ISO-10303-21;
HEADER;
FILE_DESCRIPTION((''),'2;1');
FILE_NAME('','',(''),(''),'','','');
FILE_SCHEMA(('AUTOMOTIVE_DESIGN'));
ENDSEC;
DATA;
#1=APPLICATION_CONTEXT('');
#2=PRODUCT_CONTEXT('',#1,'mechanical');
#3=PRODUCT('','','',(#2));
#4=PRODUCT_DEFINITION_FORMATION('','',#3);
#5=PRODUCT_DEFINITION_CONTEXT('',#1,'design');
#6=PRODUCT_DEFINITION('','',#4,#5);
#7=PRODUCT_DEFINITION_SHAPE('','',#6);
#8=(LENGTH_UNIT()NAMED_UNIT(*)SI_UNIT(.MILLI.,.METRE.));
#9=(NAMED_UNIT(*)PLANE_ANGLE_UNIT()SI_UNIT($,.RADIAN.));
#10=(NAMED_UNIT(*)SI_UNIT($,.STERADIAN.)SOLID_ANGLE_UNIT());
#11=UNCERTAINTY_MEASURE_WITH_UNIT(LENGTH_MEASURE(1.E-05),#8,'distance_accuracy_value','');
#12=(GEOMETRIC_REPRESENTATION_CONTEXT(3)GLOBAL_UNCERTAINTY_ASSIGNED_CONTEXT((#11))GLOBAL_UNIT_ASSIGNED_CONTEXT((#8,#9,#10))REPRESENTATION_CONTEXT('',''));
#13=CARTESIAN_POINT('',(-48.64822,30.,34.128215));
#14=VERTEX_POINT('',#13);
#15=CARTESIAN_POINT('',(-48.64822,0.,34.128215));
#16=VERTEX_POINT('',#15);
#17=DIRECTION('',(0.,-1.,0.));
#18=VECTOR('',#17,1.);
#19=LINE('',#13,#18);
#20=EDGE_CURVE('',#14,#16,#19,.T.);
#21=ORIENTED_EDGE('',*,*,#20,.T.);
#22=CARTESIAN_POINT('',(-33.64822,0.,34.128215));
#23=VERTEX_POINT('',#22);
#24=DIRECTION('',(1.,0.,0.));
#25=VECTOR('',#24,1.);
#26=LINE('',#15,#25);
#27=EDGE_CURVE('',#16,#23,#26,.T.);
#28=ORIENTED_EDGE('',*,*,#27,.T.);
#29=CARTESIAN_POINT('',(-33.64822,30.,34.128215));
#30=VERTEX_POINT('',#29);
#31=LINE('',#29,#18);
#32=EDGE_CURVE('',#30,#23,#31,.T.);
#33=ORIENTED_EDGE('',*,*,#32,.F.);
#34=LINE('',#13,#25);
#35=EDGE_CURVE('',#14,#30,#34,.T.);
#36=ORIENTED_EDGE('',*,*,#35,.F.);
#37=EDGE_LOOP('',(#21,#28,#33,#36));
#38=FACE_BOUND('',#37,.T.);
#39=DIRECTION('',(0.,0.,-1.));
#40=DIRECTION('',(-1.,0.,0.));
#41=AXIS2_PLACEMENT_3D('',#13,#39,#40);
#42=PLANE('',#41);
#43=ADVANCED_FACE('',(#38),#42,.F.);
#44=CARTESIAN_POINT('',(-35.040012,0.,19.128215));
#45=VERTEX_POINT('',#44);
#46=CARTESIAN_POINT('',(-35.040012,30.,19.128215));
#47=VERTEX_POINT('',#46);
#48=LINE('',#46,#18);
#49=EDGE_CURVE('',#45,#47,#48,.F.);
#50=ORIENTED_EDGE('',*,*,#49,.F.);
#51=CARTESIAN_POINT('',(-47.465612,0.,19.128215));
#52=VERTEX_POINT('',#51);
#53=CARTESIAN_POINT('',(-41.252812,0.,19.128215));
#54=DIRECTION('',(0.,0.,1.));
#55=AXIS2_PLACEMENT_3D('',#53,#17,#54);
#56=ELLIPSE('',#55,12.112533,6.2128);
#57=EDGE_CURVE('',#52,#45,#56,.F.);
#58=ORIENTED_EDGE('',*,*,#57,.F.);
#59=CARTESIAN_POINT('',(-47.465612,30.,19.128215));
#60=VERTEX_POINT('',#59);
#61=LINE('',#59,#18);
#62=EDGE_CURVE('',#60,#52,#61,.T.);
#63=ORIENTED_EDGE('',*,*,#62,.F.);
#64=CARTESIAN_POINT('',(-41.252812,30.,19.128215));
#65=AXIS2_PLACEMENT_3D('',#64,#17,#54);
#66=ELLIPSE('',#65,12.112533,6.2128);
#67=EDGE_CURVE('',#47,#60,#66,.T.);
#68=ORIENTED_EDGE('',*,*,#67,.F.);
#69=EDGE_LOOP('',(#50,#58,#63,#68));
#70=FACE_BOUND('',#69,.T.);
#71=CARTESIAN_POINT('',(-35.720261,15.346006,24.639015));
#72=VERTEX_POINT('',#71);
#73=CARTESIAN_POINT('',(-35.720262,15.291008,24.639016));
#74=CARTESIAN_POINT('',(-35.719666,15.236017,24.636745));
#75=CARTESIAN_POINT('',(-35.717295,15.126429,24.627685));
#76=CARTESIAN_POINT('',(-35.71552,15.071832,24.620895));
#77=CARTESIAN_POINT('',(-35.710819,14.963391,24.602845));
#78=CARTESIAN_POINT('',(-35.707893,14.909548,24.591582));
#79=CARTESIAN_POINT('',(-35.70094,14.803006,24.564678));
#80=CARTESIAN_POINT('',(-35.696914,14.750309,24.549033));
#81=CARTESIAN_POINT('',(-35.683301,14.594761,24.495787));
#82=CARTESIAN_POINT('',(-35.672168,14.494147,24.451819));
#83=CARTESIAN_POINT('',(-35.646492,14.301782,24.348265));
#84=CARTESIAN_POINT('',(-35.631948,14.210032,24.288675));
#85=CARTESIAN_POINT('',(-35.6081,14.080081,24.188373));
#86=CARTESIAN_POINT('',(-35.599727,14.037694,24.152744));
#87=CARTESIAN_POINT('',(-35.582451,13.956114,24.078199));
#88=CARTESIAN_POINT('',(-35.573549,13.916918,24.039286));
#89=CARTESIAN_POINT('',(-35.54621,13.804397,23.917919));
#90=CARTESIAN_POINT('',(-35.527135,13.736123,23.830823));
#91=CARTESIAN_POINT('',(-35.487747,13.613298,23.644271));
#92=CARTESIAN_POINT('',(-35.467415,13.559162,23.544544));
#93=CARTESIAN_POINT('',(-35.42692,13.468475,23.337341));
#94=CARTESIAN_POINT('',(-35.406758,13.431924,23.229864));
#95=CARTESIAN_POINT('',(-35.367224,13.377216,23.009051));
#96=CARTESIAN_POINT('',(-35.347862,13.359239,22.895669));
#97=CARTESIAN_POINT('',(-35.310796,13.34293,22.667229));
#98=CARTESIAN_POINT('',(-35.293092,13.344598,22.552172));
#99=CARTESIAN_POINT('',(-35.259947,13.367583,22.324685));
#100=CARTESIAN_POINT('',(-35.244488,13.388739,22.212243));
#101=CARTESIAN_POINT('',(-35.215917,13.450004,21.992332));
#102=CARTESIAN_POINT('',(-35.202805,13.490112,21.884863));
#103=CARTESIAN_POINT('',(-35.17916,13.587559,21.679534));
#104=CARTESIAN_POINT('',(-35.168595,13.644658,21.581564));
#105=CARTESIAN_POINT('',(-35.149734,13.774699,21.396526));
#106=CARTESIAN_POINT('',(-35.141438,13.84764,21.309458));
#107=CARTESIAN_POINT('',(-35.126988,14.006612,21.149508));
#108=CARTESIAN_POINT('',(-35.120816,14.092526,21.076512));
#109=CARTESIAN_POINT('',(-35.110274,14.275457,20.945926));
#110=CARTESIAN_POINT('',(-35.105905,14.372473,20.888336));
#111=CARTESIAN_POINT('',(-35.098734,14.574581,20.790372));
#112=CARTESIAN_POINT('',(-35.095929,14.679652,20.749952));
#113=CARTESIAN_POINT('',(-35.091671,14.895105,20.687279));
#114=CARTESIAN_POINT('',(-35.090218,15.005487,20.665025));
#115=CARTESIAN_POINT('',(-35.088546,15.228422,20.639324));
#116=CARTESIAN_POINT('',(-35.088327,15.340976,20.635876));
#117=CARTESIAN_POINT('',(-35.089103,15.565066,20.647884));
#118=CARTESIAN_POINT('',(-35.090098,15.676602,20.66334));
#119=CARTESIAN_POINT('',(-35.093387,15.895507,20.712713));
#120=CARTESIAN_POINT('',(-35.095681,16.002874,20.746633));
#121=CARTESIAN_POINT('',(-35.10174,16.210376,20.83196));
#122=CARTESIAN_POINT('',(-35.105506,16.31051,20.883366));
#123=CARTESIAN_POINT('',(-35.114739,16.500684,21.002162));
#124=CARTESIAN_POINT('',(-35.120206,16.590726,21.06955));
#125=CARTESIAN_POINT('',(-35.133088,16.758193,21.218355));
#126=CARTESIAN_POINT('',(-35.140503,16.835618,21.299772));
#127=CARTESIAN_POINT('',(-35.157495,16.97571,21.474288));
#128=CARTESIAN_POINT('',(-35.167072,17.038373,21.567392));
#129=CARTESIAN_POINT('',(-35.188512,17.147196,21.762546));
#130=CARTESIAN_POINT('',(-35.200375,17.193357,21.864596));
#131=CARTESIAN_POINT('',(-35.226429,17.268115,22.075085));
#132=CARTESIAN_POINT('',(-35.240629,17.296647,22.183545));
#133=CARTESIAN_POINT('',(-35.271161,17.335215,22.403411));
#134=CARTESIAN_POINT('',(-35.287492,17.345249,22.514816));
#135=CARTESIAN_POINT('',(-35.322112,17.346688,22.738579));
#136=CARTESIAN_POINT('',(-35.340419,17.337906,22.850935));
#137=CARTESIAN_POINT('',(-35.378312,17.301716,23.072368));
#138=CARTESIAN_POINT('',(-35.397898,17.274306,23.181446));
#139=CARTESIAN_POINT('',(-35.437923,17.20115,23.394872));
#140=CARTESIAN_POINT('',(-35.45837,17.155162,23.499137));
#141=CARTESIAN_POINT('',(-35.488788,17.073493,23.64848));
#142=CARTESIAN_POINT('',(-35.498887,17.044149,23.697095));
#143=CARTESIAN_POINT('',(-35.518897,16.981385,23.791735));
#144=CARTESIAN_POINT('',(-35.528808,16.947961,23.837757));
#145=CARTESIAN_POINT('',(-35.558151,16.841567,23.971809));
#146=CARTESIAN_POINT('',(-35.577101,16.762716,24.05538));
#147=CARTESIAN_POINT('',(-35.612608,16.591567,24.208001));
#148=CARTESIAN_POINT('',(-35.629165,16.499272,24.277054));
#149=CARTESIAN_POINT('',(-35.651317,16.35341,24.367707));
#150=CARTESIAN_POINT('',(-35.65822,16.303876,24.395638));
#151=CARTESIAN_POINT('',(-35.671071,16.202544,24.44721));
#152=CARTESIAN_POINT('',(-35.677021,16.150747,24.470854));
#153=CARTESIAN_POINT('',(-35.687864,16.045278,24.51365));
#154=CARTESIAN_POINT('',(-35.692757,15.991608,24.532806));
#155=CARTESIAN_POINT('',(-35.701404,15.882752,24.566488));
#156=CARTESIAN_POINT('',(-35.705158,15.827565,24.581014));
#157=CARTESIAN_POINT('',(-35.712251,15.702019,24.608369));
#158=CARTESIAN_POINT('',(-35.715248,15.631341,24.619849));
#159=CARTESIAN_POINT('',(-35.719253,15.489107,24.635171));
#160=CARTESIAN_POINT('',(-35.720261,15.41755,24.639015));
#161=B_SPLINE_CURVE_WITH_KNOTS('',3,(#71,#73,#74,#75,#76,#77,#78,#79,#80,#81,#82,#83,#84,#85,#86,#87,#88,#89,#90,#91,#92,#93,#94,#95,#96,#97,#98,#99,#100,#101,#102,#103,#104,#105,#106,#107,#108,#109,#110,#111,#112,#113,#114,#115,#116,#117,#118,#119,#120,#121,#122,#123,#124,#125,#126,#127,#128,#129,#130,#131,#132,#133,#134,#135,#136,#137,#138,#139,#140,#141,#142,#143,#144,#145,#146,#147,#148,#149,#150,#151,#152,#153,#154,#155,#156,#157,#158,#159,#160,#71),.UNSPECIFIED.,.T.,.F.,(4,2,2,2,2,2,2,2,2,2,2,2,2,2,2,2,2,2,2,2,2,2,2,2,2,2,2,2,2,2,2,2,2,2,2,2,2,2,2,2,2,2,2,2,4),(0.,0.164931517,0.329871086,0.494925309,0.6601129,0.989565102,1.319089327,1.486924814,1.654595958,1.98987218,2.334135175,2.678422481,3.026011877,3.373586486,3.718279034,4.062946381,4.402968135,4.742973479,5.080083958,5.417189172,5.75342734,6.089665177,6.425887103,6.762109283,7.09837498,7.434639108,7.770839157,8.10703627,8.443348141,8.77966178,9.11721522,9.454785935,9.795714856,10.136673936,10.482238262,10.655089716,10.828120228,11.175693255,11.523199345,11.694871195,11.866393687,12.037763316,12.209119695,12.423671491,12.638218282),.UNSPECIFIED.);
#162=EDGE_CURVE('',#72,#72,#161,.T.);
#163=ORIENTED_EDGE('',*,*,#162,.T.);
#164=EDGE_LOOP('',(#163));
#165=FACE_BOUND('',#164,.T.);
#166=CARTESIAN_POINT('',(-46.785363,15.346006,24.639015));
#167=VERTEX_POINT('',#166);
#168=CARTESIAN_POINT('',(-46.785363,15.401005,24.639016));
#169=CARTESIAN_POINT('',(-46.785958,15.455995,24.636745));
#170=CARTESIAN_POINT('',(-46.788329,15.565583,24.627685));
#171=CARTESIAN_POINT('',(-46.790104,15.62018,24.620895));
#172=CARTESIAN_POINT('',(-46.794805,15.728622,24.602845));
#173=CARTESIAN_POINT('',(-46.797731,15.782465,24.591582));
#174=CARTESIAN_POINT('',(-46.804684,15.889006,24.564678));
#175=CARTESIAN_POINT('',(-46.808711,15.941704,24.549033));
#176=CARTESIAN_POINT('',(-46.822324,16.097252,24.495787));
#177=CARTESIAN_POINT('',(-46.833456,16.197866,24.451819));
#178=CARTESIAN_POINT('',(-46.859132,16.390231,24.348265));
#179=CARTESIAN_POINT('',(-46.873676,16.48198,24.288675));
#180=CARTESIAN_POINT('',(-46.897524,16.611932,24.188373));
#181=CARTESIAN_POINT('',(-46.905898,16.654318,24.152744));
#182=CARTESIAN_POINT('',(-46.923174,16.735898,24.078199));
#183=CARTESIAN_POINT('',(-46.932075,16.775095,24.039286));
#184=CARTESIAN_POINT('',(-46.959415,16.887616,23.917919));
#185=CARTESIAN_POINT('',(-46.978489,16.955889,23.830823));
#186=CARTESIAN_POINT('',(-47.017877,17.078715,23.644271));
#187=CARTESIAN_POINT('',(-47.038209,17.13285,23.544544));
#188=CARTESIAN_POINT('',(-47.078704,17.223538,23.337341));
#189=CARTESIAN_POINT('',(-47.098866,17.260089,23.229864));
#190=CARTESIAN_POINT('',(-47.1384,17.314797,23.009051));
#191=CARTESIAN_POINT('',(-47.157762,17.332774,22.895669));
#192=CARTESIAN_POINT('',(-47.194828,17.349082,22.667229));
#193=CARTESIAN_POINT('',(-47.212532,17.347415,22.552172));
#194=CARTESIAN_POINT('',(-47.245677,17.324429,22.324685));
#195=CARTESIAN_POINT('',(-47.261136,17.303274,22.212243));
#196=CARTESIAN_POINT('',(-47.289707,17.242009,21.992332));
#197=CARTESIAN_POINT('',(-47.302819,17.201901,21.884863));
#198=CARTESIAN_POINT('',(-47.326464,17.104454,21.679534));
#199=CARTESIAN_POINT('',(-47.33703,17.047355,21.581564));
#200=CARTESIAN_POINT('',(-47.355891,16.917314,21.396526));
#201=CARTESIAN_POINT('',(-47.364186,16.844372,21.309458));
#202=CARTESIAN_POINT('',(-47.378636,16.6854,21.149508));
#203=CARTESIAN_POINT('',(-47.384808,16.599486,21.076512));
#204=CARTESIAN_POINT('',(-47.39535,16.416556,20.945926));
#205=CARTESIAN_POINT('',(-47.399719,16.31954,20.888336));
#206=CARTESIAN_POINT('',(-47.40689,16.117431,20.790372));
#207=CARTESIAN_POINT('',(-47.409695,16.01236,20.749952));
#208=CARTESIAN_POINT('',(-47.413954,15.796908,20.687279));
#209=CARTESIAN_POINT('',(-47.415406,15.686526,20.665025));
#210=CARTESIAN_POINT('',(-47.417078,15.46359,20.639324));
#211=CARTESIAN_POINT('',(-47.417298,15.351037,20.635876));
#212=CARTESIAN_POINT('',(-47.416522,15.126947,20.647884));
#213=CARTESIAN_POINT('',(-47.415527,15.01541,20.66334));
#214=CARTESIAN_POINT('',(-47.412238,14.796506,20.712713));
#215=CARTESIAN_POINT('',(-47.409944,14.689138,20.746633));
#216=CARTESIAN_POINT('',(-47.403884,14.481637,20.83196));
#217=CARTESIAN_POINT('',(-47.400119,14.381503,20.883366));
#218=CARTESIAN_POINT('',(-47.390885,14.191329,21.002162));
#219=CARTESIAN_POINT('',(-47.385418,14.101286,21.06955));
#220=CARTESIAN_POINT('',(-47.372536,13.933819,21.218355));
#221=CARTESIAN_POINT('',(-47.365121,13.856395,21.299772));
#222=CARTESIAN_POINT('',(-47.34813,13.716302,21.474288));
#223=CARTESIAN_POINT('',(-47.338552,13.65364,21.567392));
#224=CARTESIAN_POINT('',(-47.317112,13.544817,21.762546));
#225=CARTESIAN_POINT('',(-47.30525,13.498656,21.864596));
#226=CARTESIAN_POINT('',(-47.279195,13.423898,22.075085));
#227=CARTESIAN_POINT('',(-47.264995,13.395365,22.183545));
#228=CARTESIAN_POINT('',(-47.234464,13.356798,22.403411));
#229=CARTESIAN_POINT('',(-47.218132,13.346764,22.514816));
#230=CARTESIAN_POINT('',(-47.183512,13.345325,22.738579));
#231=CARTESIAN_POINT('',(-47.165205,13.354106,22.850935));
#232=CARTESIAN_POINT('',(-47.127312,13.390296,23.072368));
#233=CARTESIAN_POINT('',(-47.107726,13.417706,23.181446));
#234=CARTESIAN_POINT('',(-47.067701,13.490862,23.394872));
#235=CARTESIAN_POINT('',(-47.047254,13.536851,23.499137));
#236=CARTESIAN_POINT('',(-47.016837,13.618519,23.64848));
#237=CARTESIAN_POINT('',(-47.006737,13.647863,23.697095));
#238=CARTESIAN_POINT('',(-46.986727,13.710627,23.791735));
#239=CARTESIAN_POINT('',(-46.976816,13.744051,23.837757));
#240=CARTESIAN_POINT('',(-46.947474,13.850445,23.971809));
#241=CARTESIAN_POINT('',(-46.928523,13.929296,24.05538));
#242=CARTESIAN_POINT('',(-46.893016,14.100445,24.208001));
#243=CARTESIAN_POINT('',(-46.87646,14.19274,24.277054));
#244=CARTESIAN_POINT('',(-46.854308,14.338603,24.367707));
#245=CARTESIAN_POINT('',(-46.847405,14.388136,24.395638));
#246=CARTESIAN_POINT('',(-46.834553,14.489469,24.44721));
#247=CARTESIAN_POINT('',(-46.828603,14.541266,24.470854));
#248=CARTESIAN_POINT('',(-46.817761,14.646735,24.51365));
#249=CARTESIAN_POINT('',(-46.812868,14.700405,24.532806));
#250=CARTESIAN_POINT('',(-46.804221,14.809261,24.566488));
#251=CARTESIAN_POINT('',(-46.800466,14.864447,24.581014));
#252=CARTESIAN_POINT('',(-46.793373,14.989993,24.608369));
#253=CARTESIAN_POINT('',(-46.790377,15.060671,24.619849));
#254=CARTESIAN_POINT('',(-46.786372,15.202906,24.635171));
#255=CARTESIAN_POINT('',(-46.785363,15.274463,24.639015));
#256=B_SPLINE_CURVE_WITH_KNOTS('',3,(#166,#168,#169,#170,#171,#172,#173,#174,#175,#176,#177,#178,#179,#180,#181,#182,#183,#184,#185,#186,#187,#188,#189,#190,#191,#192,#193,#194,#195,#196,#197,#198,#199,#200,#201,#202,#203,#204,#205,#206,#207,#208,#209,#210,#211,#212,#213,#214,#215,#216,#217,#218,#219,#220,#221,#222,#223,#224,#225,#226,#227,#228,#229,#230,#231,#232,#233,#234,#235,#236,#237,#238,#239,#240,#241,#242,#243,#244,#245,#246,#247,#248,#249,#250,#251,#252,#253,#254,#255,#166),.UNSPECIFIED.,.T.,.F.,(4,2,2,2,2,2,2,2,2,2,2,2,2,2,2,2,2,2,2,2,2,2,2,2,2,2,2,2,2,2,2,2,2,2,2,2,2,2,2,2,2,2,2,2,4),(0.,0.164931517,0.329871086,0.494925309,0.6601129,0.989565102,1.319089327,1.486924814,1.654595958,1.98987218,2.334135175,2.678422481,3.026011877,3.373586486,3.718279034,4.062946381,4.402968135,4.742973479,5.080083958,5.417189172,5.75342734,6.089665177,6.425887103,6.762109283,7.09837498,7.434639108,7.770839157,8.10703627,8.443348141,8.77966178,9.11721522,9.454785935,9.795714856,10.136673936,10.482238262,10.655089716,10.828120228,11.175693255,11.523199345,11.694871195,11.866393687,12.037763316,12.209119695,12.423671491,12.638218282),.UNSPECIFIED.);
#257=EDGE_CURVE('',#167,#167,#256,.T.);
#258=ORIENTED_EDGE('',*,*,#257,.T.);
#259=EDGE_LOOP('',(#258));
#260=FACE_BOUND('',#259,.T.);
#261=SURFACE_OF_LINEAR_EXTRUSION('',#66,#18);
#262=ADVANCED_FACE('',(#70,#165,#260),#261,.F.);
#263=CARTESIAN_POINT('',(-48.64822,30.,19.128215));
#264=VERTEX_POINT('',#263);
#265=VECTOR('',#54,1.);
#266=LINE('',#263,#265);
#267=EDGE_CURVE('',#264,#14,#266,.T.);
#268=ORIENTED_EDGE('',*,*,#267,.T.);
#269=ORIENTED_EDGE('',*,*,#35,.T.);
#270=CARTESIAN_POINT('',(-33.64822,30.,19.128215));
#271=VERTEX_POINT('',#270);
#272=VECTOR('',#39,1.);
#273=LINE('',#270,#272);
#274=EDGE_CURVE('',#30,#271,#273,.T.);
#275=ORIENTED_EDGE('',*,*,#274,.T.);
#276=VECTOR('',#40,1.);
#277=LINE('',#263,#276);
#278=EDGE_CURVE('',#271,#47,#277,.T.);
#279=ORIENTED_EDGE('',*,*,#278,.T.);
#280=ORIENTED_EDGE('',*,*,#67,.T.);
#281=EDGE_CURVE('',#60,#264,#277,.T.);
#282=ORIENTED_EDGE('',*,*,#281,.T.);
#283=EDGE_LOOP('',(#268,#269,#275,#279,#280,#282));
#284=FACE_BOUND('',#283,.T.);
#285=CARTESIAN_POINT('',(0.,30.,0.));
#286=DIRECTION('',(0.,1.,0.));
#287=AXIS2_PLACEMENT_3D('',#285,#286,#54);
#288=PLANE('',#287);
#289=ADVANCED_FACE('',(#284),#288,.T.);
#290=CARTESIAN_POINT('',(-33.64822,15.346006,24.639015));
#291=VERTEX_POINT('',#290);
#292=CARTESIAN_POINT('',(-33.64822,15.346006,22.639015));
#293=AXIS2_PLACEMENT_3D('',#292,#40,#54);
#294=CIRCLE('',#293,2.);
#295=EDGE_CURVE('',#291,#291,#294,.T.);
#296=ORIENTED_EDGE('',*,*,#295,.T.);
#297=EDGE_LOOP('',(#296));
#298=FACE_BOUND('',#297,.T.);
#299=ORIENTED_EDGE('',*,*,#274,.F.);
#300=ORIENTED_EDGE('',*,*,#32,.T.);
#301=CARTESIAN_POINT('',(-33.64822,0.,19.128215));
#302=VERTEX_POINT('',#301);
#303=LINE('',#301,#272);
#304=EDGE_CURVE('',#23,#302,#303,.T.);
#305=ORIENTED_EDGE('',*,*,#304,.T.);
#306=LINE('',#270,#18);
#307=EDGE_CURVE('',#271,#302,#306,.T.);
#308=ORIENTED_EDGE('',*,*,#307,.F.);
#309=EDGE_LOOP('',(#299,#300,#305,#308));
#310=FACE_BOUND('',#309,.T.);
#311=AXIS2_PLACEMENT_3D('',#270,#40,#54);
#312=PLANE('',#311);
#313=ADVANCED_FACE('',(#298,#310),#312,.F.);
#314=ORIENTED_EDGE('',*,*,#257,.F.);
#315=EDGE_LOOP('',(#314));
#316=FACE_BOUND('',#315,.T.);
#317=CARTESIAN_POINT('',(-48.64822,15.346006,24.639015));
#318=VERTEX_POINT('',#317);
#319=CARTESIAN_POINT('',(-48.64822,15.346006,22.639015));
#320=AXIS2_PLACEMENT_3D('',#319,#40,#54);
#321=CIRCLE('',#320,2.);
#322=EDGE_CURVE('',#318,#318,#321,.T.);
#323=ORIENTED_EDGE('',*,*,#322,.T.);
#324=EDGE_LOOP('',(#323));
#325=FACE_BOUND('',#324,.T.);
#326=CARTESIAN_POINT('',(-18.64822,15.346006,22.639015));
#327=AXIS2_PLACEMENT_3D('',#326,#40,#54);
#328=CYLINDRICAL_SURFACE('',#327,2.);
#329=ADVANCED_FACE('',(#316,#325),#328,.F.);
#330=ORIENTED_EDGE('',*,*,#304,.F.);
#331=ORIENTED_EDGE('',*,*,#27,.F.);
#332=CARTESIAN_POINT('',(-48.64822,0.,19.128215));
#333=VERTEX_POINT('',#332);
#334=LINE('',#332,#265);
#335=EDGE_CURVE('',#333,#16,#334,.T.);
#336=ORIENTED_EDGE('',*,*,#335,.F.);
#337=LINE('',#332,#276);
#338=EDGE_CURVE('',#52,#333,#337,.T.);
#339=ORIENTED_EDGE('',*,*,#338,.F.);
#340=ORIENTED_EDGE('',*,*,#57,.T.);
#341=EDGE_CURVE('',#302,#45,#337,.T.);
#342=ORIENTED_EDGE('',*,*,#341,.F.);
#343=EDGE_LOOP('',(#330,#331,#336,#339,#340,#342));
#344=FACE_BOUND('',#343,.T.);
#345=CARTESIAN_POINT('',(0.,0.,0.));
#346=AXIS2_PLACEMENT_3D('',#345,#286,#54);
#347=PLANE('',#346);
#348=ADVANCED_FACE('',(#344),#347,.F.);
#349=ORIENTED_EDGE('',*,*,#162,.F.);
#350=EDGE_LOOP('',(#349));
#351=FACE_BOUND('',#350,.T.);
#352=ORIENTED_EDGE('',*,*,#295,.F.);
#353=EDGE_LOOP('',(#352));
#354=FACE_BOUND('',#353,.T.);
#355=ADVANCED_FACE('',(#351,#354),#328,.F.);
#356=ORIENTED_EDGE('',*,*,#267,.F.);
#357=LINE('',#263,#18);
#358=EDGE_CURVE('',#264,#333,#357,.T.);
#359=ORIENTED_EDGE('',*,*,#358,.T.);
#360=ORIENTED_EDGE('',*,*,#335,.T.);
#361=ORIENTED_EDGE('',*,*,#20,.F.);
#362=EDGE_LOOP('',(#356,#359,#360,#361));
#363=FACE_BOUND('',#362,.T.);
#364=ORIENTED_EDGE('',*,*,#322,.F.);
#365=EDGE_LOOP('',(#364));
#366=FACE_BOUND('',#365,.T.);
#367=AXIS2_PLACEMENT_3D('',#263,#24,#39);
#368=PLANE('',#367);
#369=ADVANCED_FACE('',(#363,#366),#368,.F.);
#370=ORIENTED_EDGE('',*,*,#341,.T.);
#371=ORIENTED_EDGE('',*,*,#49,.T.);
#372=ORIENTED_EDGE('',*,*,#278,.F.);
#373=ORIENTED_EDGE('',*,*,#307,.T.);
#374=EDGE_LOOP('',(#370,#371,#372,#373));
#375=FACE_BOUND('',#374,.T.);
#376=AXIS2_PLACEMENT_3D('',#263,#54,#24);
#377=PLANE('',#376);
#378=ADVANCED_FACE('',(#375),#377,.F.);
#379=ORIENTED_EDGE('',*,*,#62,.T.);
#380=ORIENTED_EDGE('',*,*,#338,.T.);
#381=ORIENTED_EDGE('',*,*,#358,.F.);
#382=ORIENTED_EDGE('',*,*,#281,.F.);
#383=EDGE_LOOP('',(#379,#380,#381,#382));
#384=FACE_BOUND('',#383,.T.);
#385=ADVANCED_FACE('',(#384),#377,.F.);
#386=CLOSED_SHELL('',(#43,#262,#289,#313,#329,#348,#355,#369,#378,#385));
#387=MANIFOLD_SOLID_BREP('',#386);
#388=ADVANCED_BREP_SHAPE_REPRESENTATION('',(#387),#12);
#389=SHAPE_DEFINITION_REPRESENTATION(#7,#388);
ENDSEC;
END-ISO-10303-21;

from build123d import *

# Parameters (mm, degrees)
SKETCH1_W           = 15
SKETCH1_H           = 15
BOSS_EXTRUDE1_DEPTH = 30
SKETCH2_RX          = 12.112533461
SKETCH2_RY          = 6.212800173
CUT_EXTRUDE3_DEPTH  = 30
SKETCH3_R           = 2
CUT_EXTRUDE4_DEPTH  = 30


with BuildPart() as part:
    # Sketch1 → Boss-Extrude1 (new body)
    with BuildSketch(Plane(origin=(0, 0, 0), x_dir=(1, 0, 0), z_dir=(0, 1, 0))):
        with Locations((-41.148219583, -26.628215269)):
            Rectangle(SKETCH1_W, SKETCH1_H)
    extrude(amount=BOSS_EXTRUDE1_DEPTH)

    # Sketch2 → Cut-Extrude3 (cut)
    with BuildSketch(Plane(origin=(0, 0, 0), x_dir=(-1, 0, 0), z_dir=(0, -1, 0))):
        with Locations(Location((41.252812179, -19.128215269), (0, 0, -90))):
            Ellipse(SKETCH2_RX, SKETCH2_RY)
    extrude(amount=-CUT_EXTRUDE3_DEPTH, mode=Mode.SUBTRACT)

    # Sketch3 → Cut-Extrude4 (cut)
    with BuildSketch(Plane.ZY.offset(48.648219583)):
        with Locations((22.639015202, 15.346006291)):
            Circle(SKETCH3_R)
    extrude(amount=-CUT_EXTRUDE4_DEPTH, mode=Mode.SUBTRACT)


solid = part.part
